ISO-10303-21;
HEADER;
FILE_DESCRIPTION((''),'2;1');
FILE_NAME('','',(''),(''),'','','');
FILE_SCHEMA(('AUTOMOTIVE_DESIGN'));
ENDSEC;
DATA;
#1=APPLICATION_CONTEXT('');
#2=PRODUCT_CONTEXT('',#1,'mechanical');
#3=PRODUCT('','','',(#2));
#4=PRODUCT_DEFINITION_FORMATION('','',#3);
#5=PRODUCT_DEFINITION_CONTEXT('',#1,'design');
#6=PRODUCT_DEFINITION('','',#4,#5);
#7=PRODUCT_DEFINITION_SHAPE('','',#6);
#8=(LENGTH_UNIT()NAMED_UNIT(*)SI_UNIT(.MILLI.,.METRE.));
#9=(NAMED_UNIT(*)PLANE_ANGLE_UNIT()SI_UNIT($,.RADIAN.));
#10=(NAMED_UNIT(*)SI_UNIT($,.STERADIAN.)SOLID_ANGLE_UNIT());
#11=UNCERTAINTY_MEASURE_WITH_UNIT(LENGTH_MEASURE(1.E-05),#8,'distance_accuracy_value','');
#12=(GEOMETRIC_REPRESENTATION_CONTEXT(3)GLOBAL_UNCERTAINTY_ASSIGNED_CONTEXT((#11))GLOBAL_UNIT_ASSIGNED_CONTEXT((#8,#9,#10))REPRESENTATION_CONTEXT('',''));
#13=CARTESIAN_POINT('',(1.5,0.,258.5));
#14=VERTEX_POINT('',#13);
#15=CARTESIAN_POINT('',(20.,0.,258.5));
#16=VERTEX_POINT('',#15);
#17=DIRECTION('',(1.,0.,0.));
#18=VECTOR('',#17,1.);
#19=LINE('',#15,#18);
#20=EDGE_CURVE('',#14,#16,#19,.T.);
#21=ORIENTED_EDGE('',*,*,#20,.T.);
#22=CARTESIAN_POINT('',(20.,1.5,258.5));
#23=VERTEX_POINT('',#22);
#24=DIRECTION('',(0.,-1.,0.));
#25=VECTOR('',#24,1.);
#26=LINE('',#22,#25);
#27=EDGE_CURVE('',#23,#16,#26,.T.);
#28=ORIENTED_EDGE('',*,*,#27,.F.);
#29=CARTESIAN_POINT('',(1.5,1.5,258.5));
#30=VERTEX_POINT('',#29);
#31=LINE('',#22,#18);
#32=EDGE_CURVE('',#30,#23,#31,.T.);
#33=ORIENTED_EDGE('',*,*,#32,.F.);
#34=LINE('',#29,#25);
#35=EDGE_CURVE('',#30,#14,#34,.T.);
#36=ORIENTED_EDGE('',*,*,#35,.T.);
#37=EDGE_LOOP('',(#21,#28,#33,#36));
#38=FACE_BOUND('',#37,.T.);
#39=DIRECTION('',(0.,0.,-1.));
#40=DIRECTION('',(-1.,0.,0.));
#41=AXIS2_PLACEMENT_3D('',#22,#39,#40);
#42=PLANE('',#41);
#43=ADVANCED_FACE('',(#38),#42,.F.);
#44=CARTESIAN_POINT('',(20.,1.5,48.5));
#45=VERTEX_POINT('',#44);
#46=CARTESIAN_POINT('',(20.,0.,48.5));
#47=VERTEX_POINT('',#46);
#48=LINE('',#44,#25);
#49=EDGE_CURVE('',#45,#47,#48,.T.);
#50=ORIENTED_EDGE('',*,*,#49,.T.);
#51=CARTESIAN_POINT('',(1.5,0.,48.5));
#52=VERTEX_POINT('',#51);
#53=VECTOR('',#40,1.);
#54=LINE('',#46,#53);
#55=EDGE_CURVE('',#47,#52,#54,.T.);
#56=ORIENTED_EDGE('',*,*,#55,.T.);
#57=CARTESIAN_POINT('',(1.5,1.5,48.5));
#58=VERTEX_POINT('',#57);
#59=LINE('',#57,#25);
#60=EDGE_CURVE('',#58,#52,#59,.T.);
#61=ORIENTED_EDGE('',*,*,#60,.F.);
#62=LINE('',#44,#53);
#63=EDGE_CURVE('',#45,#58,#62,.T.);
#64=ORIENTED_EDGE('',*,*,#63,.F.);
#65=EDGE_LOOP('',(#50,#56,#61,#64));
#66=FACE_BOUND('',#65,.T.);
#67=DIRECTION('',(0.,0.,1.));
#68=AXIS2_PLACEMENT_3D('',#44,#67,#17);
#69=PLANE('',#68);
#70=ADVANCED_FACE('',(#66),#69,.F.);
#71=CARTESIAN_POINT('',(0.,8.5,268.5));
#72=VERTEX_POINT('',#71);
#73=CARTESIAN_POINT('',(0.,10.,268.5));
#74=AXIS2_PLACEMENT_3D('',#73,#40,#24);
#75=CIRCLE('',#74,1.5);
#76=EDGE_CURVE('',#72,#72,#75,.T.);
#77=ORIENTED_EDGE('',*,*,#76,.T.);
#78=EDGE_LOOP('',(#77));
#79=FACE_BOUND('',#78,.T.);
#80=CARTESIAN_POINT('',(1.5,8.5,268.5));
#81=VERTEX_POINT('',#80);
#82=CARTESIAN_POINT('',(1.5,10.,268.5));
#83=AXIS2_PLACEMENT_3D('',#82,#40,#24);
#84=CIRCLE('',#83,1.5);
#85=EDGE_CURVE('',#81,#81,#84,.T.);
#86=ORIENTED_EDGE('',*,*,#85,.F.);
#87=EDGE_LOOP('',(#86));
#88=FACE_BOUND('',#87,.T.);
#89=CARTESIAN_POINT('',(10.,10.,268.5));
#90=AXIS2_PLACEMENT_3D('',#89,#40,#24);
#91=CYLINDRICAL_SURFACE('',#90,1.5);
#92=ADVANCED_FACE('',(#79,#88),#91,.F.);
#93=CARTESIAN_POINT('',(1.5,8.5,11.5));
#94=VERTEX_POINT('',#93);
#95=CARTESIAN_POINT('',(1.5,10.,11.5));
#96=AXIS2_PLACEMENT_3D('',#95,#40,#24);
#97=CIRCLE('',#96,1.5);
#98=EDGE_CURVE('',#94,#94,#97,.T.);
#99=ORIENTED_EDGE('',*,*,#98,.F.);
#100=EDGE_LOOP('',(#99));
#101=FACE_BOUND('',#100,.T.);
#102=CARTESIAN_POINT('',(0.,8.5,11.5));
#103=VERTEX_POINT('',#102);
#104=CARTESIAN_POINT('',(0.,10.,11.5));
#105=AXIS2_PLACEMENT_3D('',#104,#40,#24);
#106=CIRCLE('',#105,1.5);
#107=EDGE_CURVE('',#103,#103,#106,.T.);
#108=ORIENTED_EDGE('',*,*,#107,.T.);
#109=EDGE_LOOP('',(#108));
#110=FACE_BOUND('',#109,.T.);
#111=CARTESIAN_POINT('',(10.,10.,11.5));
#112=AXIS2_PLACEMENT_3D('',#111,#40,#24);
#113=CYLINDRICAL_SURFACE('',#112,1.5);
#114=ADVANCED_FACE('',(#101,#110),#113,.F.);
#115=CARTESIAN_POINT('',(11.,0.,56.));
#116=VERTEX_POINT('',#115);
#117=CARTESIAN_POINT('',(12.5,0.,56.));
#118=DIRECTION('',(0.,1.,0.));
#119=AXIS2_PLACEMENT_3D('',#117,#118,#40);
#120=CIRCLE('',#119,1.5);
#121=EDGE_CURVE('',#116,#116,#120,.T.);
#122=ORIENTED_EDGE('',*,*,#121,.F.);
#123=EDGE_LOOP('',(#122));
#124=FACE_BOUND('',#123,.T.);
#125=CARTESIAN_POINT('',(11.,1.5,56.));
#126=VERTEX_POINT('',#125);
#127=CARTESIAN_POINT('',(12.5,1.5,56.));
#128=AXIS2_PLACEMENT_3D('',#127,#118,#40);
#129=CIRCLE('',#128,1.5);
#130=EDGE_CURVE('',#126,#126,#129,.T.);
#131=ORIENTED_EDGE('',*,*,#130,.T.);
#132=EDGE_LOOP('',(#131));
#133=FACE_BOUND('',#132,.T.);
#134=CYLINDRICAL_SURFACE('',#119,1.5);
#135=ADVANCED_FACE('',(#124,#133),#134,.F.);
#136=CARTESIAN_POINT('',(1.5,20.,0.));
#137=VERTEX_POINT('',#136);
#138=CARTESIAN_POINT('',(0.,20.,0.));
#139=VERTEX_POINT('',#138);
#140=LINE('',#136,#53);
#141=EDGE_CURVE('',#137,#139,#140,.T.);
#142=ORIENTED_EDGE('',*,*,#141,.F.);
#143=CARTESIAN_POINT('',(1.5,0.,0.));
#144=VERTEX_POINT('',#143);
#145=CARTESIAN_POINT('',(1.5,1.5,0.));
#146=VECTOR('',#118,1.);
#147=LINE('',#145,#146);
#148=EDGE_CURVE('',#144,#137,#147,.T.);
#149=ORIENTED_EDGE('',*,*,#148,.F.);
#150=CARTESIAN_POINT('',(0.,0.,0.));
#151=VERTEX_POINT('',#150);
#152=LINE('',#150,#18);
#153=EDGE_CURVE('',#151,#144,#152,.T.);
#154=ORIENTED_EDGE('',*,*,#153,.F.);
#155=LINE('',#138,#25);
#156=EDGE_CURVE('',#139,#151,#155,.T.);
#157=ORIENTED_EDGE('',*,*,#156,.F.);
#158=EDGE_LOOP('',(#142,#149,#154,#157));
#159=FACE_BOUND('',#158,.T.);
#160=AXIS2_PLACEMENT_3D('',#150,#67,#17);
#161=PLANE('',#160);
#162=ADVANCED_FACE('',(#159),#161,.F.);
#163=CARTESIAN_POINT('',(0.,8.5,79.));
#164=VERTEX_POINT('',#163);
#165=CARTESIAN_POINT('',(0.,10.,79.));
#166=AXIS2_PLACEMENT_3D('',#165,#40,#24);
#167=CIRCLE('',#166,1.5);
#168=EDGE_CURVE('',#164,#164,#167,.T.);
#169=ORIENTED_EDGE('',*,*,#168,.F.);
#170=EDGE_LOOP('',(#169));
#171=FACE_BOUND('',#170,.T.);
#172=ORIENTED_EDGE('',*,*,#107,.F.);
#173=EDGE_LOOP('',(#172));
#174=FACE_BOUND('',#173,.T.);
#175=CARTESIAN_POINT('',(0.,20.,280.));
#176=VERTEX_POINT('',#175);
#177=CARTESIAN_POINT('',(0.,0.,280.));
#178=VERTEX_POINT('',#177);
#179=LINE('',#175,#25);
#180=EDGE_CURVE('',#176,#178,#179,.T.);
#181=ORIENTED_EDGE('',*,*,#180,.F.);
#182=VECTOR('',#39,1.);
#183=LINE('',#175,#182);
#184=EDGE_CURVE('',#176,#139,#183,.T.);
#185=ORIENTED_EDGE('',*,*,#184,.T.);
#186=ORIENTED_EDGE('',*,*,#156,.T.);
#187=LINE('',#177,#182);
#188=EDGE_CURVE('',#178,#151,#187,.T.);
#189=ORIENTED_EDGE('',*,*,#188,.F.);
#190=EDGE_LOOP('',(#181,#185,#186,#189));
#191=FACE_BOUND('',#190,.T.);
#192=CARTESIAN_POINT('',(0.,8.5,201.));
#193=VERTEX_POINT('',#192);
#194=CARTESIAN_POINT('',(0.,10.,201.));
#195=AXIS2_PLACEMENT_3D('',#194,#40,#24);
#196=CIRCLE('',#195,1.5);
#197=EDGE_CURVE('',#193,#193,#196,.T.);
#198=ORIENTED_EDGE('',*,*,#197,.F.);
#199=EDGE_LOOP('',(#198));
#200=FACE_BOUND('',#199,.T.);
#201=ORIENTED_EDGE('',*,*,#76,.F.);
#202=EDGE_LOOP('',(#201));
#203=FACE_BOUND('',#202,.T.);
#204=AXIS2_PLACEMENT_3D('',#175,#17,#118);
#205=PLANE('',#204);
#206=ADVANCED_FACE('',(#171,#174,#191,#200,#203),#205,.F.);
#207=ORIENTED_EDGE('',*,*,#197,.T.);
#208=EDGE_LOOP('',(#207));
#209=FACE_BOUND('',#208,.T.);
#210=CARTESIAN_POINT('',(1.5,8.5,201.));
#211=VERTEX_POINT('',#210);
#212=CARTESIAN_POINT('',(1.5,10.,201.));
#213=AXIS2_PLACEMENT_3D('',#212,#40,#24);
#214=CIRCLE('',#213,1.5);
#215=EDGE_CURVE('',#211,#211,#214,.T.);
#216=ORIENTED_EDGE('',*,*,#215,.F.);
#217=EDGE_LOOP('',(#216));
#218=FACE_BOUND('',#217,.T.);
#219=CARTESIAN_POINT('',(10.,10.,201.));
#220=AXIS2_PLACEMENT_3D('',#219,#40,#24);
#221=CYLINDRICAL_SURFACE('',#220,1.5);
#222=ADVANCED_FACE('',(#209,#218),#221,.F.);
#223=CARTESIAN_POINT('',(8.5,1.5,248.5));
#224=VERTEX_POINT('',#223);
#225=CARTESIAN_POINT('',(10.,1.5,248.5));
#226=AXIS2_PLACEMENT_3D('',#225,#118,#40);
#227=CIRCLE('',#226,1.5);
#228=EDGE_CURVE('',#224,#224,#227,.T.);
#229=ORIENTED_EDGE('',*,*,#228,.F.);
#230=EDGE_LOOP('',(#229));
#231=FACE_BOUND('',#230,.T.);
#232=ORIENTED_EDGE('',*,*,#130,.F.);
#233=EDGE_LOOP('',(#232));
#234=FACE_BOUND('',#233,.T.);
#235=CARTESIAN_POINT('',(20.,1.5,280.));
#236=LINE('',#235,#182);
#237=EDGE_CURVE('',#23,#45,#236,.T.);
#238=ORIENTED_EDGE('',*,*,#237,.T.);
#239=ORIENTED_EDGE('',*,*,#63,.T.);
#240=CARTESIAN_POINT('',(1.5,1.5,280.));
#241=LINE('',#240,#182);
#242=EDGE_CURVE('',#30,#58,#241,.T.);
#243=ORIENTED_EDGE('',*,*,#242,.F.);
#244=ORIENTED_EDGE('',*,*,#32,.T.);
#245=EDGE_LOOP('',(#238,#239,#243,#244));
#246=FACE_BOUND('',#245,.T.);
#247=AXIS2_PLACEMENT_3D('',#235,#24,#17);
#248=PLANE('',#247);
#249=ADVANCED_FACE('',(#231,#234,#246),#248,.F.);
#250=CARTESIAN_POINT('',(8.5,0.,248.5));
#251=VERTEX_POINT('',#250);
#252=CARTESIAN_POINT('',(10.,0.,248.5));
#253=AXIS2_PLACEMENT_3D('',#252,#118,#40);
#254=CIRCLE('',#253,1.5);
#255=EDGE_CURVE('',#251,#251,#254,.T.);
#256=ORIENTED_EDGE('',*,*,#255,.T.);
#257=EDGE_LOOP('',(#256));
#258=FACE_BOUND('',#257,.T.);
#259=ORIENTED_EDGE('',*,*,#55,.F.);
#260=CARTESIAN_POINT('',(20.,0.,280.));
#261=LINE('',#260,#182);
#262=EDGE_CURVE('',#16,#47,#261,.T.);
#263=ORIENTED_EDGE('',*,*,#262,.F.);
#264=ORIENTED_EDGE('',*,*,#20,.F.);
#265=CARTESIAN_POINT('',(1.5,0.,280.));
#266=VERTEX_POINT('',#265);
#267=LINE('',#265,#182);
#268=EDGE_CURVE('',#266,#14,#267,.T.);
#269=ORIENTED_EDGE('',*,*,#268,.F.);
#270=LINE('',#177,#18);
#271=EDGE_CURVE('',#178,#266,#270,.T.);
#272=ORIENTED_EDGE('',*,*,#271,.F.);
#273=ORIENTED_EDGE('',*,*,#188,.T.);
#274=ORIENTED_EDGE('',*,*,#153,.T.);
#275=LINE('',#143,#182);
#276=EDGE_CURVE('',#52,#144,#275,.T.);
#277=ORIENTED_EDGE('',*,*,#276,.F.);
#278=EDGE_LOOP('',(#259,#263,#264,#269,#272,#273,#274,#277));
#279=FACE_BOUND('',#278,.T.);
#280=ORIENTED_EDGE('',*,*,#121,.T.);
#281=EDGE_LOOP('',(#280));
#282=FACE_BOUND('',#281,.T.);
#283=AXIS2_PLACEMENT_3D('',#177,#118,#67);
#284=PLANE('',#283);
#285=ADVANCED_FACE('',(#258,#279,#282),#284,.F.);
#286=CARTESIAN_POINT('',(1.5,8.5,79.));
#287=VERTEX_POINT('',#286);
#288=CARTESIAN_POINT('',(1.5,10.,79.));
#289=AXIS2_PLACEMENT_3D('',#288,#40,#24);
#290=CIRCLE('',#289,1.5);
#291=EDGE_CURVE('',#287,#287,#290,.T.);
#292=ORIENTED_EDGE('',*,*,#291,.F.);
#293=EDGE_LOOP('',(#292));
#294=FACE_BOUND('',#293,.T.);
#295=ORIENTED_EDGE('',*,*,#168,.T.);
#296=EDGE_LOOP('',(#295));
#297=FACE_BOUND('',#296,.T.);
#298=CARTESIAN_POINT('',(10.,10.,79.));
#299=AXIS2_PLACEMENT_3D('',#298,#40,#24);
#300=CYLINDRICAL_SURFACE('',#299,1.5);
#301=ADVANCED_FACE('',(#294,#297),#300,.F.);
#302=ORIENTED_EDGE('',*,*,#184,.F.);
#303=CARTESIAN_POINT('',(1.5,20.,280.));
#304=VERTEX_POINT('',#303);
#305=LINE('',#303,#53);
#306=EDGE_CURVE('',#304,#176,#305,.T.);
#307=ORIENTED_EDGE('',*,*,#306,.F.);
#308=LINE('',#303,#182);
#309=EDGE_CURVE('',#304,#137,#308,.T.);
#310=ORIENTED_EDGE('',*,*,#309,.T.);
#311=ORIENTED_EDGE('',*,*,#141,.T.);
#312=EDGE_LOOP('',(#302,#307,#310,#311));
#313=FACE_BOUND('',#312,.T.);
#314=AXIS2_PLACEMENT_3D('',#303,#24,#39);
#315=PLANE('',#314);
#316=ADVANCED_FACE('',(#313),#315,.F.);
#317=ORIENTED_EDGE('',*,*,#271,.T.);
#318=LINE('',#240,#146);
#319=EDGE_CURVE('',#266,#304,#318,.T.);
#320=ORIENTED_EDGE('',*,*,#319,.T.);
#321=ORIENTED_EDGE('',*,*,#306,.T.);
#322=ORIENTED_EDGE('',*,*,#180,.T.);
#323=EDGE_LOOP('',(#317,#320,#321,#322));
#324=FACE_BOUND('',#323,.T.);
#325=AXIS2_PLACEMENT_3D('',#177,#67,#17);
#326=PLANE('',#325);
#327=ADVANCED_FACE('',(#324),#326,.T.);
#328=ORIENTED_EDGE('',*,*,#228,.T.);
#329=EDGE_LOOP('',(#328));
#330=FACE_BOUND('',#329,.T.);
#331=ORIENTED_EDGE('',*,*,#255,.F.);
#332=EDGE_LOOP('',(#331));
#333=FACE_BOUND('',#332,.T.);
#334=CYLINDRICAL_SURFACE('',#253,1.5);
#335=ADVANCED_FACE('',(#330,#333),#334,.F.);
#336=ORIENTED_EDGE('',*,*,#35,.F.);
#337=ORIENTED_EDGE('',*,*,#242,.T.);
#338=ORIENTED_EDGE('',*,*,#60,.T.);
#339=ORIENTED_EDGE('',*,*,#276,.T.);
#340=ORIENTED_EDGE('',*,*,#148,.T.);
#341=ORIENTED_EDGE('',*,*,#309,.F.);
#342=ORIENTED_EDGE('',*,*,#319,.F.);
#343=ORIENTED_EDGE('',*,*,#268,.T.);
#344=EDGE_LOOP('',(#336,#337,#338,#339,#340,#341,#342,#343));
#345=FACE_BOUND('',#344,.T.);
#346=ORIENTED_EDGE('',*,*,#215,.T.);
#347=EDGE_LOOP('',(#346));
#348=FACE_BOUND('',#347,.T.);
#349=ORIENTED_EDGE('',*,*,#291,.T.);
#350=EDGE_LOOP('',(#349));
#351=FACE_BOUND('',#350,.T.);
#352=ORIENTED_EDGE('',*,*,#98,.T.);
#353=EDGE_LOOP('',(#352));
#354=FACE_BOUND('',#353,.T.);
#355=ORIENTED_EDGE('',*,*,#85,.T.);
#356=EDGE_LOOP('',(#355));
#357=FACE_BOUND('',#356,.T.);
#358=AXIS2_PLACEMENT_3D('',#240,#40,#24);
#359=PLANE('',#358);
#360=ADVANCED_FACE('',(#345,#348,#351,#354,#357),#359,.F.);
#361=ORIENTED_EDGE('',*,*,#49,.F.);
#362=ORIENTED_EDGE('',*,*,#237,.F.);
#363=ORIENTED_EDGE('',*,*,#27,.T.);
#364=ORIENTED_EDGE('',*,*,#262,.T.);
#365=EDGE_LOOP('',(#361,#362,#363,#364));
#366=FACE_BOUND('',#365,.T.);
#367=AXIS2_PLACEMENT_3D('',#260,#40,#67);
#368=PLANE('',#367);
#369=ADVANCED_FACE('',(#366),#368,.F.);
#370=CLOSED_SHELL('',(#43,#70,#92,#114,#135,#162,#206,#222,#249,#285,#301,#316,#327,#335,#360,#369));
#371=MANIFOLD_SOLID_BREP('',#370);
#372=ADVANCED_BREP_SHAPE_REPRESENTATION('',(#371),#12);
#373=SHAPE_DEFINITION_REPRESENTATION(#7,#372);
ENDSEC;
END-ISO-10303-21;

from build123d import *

# Parameters (mm, degrees)
EXTRUSION1_DEPTH = 280
ESQUISSE2_R      = 1.5
EXTRUSION2_DEPTH = 282.322324034
ESQUISSE3_R      = 1.5
EXTRUSION3_DEPTH = 10
ESQUISSE4_W      = 18.5
ESQUISSE4_H      = 48.5
ESQUISSE4_H_2    = 21.5
EXTRUSION4_DEPTH = 1.5


with BuildPart() as part:
    # Esquisse1 → Extrusion1 (new body)
    with BuildSketch(Plane.XY):
        Polygon((0, 0), (20, 0), (20, 1.5), (1.5, 1.5), (1.5, 20), (0, 20), align=None)
    extrude(amount=EXTRUSION1_DEPTH)

    # Esquisse2 → Extrusion2 (cut, through all)
    with BuildSketch(Plane(origin=(0, 1.5, 0), x_dir=(1, 0, 0), z_dir=(0, 1, 0))):
        with Locations(Location((12.5, -56, 0), (0, 0, 180))):
            Circle(ESQUISSE2_R)
        with Locations(Location((10, -248.5, 0), (0, 0, 180))):
            Circle(ESQUISSE2_R)
    extrude(amount=-EXTRUSION2_DEPTH, mode=Mode.SUBTRACT)

    # Esquisse3 → Extrusion3 (cut)
    with BuildSketch(Plane.ZY):
        with Locations(Location((268.5, 10, 0), (0, 0, 270))):
            Circle(ESQUISSE3_R)
        with Locations(Location((11.5, 10, 0), (0, 0, 270))):
            Circle(ESQUISSE3_R)
        with Locations(Location((79, 10, 0), (0, 0, 270))):
            Circle(ESQUISSE3_R)
        with Locations(Location((201, 10, 0), (0, 0, 270))):
            Circle(ESQUISSE3_R)
    extrude(amount=-EXTRUSION3_DEPTH, mode=Mode.SUBTRACT)

    # Esquisse4 → Extrusion4 (cut)
    with BuildSketch(Plane.XZ):
        with Locations((10.75, 24.25)):
            Rectangle(ESQUISSE4_W, ESQUISSE4_H)
        with Locations((10.75, 269.25)):
            Rectangle(ESQUISSE4_W, ESQUISSE4_H_2)
    extrude(amount=-EXTRUSION4_DEPTH, mode=Mode.SUBTRACT)


solid = part.part
